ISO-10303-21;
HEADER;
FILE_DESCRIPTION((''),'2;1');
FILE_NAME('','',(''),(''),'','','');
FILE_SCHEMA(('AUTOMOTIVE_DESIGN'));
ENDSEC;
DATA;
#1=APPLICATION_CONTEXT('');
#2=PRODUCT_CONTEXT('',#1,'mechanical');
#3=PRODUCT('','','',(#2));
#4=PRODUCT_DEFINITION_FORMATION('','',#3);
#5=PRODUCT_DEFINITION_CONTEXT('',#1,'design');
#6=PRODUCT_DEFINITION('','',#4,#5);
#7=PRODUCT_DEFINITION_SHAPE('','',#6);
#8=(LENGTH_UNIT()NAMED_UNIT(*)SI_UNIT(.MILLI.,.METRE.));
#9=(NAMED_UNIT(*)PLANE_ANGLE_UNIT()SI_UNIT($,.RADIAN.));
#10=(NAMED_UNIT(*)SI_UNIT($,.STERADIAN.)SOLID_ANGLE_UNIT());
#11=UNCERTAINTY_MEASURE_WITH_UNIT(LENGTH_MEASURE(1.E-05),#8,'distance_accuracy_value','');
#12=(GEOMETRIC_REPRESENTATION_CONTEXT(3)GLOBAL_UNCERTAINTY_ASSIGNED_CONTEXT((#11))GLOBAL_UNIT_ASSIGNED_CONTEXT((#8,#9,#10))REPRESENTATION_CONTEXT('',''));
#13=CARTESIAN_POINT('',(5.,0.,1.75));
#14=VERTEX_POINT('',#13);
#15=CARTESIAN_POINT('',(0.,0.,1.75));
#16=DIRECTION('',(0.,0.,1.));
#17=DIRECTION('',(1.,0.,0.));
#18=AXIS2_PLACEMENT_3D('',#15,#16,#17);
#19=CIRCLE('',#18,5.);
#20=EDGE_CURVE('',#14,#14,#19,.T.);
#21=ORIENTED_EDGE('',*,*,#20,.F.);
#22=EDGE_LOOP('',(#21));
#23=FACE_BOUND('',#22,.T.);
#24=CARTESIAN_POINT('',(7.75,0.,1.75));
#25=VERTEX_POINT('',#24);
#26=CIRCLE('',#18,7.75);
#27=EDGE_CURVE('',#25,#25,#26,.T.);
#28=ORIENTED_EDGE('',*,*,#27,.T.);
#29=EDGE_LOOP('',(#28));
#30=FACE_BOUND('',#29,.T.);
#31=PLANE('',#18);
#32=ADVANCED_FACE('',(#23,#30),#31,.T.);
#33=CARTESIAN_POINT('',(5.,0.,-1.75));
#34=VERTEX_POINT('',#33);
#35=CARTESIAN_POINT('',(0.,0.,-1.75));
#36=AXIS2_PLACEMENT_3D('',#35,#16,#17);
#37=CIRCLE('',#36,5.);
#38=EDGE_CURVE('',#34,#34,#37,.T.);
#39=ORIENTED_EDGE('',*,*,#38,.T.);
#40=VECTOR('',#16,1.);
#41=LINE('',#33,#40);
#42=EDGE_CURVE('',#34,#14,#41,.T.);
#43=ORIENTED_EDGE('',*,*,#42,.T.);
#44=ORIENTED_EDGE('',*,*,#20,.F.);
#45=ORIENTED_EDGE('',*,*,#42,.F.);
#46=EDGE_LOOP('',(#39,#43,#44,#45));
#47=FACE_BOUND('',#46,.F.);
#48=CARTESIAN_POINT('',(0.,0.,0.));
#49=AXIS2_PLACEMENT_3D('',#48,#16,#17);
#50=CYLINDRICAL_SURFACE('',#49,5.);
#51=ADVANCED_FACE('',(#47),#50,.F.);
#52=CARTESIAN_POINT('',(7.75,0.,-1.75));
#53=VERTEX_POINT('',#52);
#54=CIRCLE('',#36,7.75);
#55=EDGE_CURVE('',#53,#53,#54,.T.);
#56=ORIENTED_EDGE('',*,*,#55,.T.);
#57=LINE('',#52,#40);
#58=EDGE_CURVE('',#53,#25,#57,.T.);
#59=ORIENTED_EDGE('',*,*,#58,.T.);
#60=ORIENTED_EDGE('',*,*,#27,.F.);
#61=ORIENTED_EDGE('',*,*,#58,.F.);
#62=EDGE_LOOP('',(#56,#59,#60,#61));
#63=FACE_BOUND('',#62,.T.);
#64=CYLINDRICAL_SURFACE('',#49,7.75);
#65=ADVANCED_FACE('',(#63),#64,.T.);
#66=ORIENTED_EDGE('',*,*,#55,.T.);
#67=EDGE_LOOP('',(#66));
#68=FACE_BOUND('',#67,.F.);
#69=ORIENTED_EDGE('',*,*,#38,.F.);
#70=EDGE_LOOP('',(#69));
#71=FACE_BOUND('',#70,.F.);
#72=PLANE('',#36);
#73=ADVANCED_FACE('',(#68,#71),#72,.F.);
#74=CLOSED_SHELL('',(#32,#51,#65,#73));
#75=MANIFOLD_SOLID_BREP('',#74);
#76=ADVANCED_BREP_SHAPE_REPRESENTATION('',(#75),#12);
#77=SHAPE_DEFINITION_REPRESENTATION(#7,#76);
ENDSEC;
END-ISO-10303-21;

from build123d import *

# Parameters (mm, degrees)
SKETCH_1_R          = 7.75
EXTRUDE_1_DEPTH     = 1.75
SKETCH_2_R          = 5
CUT_EXTRUDE_1_DEPTH = 1.75


with BuildPart() as part:
    # 草图1 → 凸台-拉伸1 (new body, symmetric)
    with BuildSketch(Plane.XY):
        Circle(SKETCH_1_R)
    extrude(amount=EXTRUDE_1_DEPTH, both=True)

    # 草图2 → 切除-拉伸1 (cut, symmetric)
    with BuildSketch(Plane.XY):
        Circle(SKETCH_2_R)
    extrude(amount=CUT_EXTRUDE_1_DEPTH, both=True, mode=Mode.SUBTRACT)


solid = part.part
